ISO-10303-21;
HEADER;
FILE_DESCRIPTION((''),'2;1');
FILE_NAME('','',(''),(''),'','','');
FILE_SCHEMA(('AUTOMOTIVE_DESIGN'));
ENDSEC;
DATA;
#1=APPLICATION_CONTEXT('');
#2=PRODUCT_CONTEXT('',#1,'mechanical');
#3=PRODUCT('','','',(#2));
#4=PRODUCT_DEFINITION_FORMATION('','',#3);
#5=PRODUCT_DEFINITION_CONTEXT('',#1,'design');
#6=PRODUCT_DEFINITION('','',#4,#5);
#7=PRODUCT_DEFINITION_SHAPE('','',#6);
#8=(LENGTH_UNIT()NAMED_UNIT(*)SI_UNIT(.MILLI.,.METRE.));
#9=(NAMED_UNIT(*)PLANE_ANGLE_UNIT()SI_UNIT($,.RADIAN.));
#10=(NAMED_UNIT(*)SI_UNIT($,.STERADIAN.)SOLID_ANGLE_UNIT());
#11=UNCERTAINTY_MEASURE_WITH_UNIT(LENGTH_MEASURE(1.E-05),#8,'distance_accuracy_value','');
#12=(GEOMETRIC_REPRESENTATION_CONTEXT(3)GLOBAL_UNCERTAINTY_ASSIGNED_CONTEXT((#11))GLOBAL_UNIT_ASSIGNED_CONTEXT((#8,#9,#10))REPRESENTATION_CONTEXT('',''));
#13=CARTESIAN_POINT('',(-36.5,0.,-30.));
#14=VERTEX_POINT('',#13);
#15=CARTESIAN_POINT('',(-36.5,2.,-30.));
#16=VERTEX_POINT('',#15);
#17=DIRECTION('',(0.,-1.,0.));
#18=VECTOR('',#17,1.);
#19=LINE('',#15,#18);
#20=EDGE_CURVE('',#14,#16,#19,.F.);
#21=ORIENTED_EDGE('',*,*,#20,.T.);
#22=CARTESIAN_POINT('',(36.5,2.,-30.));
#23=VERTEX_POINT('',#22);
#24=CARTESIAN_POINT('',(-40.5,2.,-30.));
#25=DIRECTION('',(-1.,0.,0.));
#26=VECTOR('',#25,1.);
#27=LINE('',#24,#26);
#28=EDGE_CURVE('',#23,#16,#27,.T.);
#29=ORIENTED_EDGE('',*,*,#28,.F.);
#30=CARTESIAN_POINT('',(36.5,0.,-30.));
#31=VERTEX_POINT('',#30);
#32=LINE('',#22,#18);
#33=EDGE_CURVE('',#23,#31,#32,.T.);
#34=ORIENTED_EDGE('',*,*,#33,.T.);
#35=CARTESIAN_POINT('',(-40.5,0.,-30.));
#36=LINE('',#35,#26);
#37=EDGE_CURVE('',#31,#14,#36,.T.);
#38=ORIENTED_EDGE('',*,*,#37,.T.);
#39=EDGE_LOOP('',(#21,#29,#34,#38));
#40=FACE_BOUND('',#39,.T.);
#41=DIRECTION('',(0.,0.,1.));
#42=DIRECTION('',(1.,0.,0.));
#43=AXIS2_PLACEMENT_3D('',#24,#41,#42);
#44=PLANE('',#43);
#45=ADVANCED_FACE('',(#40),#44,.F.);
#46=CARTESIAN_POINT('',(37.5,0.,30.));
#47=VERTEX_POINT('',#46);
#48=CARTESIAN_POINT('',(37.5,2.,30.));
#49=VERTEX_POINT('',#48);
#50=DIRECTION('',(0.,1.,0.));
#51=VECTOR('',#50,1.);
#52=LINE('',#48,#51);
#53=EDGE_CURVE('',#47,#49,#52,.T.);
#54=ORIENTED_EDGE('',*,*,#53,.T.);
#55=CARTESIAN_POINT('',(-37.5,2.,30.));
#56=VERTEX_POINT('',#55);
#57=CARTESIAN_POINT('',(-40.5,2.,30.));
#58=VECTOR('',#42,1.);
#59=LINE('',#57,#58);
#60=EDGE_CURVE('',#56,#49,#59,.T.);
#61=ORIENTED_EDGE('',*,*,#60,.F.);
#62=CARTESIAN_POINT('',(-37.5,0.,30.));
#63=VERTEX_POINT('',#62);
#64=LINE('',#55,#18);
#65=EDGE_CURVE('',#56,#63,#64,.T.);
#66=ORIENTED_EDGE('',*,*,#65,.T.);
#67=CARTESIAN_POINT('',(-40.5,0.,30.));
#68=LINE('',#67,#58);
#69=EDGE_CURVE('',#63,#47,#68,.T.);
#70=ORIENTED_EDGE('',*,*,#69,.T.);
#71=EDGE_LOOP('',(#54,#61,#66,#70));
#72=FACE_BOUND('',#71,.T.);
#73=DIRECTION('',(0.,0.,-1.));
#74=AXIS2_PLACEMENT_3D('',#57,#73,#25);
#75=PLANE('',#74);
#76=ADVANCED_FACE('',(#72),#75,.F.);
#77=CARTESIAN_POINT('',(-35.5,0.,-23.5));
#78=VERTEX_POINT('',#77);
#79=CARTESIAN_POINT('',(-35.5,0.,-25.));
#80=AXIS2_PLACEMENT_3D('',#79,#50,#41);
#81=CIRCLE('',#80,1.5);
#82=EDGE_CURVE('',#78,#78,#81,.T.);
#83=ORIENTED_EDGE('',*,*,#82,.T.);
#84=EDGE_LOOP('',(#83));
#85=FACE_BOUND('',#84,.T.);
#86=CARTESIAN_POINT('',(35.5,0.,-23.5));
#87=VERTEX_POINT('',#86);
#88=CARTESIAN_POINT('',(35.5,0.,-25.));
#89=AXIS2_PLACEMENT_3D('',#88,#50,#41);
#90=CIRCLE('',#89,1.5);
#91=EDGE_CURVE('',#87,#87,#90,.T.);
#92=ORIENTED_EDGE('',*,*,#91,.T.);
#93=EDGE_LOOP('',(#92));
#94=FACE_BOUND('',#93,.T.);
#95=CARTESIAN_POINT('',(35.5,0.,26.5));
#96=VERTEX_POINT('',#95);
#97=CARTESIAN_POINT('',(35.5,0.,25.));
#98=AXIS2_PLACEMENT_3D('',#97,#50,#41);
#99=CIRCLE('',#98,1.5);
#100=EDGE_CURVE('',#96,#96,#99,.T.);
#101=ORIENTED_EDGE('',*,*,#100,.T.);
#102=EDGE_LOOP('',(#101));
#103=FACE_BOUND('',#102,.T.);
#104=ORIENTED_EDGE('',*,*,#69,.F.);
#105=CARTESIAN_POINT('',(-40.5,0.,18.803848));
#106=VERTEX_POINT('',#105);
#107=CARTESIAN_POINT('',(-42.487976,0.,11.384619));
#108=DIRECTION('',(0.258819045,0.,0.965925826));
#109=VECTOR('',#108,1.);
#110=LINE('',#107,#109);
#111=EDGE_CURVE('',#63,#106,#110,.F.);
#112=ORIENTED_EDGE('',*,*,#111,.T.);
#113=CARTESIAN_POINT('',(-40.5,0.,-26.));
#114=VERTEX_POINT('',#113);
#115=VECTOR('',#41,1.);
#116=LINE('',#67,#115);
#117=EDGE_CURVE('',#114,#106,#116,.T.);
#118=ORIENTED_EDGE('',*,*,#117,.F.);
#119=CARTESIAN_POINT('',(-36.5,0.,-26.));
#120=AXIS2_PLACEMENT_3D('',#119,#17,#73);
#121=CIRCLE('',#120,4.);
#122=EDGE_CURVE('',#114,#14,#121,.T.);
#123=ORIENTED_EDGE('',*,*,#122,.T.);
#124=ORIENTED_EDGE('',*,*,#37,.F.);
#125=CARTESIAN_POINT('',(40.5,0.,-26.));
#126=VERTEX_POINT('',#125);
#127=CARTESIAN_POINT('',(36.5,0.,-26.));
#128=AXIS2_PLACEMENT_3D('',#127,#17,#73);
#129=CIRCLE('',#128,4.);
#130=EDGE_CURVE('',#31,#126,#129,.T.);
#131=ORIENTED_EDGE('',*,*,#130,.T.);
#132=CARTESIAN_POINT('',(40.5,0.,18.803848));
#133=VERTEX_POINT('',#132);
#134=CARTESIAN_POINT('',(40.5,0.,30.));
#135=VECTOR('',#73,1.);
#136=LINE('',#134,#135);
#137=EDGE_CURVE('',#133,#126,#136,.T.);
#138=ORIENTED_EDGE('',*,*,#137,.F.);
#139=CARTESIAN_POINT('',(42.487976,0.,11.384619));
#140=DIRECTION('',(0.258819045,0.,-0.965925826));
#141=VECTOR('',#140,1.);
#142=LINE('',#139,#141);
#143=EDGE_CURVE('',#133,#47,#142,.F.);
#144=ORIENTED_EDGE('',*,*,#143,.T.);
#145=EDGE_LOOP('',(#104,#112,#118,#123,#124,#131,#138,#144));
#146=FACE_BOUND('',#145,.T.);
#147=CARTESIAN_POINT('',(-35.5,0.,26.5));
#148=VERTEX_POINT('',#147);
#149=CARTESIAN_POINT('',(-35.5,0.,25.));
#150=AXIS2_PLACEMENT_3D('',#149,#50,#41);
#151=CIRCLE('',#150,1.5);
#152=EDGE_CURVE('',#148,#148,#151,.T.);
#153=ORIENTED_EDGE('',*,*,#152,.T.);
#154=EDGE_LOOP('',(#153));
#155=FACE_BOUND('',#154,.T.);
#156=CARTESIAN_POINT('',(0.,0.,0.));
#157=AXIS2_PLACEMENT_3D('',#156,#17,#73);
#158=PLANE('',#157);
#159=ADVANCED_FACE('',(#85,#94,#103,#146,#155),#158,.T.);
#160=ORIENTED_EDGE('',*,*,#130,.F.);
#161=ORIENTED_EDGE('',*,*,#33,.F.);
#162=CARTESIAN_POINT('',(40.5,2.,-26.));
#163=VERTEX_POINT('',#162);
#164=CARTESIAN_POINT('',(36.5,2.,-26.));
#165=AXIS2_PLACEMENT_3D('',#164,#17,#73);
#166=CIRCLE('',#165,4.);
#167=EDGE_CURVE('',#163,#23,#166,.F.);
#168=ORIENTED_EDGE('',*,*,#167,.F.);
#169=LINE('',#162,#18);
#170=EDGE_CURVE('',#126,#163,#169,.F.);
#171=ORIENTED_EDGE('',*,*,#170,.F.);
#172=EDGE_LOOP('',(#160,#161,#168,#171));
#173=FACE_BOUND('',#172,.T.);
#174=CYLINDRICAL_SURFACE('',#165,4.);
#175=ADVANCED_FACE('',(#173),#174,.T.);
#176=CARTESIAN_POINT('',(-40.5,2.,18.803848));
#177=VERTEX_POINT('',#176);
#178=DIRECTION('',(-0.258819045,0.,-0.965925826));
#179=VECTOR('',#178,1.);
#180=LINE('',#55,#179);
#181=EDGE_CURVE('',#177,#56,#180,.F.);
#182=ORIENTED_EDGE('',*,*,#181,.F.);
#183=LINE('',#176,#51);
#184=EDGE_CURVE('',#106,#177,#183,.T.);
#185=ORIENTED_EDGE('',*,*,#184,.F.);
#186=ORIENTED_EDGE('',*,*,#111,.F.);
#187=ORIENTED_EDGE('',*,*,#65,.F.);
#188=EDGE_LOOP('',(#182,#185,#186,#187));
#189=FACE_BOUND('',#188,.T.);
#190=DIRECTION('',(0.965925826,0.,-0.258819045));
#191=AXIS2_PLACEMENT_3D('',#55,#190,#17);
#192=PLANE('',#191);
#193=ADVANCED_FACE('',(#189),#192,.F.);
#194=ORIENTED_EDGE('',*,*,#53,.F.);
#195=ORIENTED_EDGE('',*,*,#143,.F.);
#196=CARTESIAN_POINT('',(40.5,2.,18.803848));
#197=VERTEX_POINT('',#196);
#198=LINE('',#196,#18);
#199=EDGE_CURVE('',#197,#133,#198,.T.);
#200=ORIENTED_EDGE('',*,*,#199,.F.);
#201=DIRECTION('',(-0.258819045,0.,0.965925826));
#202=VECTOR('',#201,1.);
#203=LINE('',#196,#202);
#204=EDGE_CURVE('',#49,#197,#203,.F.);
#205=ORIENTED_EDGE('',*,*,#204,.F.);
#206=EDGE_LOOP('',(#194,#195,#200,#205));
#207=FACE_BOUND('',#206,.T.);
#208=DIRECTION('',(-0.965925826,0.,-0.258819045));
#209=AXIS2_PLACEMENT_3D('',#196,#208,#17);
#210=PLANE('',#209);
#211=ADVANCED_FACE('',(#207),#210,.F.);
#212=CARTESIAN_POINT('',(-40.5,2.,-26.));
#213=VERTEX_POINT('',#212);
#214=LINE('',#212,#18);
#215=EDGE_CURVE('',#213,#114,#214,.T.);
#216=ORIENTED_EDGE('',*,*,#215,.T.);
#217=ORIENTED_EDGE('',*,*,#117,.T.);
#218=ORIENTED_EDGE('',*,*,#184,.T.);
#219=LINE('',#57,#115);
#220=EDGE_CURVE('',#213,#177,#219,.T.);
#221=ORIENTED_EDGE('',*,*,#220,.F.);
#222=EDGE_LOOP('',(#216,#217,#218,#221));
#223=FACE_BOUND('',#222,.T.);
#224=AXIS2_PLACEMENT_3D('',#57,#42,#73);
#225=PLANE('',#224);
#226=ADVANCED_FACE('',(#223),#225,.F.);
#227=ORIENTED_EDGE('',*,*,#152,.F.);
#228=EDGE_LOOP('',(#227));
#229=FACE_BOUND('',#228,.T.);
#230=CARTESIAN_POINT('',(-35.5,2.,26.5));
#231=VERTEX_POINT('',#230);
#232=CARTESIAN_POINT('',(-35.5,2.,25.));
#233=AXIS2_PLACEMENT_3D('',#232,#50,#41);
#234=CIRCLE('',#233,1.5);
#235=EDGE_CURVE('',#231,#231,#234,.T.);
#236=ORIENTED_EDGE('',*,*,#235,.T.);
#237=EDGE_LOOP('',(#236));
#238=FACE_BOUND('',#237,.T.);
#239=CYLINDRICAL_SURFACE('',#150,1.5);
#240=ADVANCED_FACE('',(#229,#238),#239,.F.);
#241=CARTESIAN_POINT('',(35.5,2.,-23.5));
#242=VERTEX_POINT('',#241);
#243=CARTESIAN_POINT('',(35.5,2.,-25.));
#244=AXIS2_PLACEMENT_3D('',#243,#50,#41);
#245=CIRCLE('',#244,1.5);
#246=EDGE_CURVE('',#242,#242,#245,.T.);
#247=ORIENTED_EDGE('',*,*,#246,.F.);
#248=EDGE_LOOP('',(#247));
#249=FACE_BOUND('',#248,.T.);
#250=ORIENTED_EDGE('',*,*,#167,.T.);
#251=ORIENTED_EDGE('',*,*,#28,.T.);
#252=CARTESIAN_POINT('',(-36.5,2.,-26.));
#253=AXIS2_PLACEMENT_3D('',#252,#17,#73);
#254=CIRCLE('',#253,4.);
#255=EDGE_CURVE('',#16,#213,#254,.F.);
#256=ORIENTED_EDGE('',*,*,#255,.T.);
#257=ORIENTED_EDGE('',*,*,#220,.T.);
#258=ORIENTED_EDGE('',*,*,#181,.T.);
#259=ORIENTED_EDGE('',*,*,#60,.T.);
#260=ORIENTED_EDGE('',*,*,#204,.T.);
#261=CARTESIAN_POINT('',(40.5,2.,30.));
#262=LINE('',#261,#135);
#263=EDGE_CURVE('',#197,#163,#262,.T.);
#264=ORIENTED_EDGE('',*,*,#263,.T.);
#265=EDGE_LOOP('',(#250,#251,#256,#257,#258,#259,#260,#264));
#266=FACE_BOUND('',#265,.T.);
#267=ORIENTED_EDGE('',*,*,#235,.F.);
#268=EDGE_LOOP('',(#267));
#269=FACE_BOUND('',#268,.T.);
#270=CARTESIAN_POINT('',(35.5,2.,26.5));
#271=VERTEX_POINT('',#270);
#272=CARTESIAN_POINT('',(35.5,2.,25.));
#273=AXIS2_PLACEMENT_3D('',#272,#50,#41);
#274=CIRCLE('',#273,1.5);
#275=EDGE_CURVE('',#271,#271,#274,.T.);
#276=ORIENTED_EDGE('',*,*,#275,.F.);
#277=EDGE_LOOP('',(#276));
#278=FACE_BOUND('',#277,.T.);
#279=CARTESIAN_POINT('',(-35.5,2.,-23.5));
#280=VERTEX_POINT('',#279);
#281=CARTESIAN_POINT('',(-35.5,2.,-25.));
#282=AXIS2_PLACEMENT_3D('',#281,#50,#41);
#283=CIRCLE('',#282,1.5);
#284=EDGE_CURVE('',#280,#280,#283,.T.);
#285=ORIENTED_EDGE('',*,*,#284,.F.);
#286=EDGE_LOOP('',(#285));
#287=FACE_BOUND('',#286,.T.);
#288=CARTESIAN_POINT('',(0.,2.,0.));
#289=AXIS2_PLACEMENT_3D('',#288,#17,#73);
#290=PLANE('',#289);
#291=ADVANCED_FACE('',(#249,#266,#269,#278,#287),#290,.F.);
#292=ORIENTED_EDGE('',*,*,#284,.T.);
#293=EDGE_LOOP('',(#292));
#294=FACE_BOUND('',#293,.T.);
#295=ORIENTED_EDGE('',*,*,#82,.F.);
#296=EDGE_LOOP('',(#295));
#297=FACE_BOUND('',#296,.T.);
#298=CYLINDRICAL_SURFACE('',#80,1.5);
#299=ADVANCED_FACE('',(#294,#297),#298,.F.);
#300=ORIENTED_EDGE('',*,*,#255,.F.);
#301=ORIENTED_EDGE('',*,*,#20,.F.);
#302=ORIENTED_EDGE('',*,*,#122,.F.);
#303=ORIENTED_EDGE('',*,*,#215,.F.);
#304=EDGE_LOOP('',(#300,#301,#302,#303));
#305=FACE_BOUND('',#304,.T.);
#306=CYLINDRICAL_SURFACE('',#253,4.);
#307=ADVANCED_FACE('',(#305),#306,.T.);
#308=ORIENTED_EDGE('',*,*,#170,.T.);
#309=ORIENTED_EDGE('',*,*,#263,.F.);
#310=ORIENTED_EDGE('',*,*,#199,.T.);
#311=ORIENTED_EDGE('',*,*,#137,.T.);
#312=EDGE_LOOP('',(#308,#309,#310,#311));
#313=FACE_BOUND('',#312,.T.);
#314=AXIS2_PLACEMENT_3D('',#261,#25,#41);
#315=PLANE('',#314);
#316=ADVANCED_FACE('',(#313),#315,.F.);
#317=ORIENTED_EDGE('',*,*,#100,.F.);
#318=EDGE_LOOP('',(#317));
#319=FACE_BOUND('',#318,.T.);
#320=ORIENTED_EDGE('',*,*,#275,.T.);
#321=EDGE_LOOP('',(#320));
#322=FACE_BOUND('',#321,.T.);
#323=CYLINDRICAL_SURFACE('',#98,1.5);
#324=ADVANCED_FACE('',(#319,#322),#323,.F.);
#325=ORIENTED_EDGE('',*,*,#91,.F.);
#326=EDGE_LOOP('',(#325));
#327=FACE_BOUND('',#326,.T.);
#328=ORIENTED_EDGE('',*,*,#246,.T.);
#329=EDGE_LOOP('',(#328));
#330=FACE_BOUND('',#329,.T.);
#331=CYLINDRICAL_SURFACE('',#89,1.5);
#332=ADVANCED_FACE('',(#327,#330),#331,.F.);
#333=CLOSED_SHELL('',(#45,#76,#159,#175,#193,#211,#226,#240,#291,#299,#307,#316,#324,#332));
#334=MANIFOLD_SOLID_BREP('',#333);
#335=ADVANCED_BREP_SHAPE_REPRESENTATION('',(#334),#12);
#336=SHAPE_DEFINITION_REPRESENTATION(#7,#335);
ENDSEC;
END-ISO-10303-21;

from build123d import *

# Parameters (mm, degrees)
SKETCH1_W           = 81
SKETCH1_H           = 60
BOSS_EXTRUDE1_DEPTH = 2
SKETCH2_R           = 1.5
CUT_EXTRUDE1_DEPTH  = 51.440559077
FILLET1_R           = 4
CHAMFER1_SIZE       = 3
CHAMFER1_SIZE2      = 11.196152423
CHAMFER2_SIZE       = 3
CHAMFER2_SIZE2      = 11.196152423


with BuildPart() as part:
    # Sketch1 → Boss-Extrude1 (new body)
    with BuildSketch(Plane(origin=(0, 0, 0), x_dir=(1, 0, 0), z_dir=(0, 1, 0))):
        Rectangle(SKETCH1_W, SKETCH1_H)
    extrude(amount=BOSS_EXTRUDE1_DEPTH)

    # Sketch2 → Cut-Extrude1 (cut, through all)
    with BuildSketch(Plane(origin=(0, 2, 0), x_dir=(1, 0, 0), z_dir=(0, 1, 0))):
        with Locations(Location((-35.5, -25, 0), (0, 0, 270))):
            Circle(SKETCH2_R)
        with Locations(Location((35.5, -25, 0), (0, 0, 270))):
            Circle(SKETCH2_R)
        with Locations(Location((-35.5, 25, 0), (0, 0, 270))):
            Circle(SKETCH2_R)
        with Locations(Location((35.5, 25, 0), (0, 0, 270))):
            Circle(SKETCH2_R)
    extrude(amount=-CUT_EXTRUDE1_DEPTH, mode=Mode.SUBTRACT)

    # Fillet1
    fillet1_edges = [part.edges().sort_by_distance(p)[0] for p in [
        (-40.5, 1, -30),
        (40.5, 1, -30),
    ]]
    fillet(fillet1_edges, radius=FILLET1_R)

    # Chamfer1
    chamfer1_edges = [part.edges().sort_by_distance(p)[0] for p in [
        (40.5, 1, 30),
    ]]
    chamfer1_side = [part.faces().sort_by_distance(p)[0] for p in [
        (0, 1, 30),
    ]]
    chamfer(chamfer1_edges, length=CHAMFER1_SIZE, length2=CHAMFER1_SIZE2, reference=chamfer1_side[0])

    # Chamfer2
    chamfer2_edges = [part.edges().sort_by_distance(p)[0] for p in [
        (-40.5, 1, 30),
    ]]
    chamfer2_side = [part.faces().sort_by_distance(p)[0] for p in [
        (-1.5, 1, 30),
    ]]
    chamfer(chamfer2_edges, length=CHAMFER2_SIZE, length2=CHAMFER2_SIZE2, reference=chamfer2_side[0])


solid = part.part
